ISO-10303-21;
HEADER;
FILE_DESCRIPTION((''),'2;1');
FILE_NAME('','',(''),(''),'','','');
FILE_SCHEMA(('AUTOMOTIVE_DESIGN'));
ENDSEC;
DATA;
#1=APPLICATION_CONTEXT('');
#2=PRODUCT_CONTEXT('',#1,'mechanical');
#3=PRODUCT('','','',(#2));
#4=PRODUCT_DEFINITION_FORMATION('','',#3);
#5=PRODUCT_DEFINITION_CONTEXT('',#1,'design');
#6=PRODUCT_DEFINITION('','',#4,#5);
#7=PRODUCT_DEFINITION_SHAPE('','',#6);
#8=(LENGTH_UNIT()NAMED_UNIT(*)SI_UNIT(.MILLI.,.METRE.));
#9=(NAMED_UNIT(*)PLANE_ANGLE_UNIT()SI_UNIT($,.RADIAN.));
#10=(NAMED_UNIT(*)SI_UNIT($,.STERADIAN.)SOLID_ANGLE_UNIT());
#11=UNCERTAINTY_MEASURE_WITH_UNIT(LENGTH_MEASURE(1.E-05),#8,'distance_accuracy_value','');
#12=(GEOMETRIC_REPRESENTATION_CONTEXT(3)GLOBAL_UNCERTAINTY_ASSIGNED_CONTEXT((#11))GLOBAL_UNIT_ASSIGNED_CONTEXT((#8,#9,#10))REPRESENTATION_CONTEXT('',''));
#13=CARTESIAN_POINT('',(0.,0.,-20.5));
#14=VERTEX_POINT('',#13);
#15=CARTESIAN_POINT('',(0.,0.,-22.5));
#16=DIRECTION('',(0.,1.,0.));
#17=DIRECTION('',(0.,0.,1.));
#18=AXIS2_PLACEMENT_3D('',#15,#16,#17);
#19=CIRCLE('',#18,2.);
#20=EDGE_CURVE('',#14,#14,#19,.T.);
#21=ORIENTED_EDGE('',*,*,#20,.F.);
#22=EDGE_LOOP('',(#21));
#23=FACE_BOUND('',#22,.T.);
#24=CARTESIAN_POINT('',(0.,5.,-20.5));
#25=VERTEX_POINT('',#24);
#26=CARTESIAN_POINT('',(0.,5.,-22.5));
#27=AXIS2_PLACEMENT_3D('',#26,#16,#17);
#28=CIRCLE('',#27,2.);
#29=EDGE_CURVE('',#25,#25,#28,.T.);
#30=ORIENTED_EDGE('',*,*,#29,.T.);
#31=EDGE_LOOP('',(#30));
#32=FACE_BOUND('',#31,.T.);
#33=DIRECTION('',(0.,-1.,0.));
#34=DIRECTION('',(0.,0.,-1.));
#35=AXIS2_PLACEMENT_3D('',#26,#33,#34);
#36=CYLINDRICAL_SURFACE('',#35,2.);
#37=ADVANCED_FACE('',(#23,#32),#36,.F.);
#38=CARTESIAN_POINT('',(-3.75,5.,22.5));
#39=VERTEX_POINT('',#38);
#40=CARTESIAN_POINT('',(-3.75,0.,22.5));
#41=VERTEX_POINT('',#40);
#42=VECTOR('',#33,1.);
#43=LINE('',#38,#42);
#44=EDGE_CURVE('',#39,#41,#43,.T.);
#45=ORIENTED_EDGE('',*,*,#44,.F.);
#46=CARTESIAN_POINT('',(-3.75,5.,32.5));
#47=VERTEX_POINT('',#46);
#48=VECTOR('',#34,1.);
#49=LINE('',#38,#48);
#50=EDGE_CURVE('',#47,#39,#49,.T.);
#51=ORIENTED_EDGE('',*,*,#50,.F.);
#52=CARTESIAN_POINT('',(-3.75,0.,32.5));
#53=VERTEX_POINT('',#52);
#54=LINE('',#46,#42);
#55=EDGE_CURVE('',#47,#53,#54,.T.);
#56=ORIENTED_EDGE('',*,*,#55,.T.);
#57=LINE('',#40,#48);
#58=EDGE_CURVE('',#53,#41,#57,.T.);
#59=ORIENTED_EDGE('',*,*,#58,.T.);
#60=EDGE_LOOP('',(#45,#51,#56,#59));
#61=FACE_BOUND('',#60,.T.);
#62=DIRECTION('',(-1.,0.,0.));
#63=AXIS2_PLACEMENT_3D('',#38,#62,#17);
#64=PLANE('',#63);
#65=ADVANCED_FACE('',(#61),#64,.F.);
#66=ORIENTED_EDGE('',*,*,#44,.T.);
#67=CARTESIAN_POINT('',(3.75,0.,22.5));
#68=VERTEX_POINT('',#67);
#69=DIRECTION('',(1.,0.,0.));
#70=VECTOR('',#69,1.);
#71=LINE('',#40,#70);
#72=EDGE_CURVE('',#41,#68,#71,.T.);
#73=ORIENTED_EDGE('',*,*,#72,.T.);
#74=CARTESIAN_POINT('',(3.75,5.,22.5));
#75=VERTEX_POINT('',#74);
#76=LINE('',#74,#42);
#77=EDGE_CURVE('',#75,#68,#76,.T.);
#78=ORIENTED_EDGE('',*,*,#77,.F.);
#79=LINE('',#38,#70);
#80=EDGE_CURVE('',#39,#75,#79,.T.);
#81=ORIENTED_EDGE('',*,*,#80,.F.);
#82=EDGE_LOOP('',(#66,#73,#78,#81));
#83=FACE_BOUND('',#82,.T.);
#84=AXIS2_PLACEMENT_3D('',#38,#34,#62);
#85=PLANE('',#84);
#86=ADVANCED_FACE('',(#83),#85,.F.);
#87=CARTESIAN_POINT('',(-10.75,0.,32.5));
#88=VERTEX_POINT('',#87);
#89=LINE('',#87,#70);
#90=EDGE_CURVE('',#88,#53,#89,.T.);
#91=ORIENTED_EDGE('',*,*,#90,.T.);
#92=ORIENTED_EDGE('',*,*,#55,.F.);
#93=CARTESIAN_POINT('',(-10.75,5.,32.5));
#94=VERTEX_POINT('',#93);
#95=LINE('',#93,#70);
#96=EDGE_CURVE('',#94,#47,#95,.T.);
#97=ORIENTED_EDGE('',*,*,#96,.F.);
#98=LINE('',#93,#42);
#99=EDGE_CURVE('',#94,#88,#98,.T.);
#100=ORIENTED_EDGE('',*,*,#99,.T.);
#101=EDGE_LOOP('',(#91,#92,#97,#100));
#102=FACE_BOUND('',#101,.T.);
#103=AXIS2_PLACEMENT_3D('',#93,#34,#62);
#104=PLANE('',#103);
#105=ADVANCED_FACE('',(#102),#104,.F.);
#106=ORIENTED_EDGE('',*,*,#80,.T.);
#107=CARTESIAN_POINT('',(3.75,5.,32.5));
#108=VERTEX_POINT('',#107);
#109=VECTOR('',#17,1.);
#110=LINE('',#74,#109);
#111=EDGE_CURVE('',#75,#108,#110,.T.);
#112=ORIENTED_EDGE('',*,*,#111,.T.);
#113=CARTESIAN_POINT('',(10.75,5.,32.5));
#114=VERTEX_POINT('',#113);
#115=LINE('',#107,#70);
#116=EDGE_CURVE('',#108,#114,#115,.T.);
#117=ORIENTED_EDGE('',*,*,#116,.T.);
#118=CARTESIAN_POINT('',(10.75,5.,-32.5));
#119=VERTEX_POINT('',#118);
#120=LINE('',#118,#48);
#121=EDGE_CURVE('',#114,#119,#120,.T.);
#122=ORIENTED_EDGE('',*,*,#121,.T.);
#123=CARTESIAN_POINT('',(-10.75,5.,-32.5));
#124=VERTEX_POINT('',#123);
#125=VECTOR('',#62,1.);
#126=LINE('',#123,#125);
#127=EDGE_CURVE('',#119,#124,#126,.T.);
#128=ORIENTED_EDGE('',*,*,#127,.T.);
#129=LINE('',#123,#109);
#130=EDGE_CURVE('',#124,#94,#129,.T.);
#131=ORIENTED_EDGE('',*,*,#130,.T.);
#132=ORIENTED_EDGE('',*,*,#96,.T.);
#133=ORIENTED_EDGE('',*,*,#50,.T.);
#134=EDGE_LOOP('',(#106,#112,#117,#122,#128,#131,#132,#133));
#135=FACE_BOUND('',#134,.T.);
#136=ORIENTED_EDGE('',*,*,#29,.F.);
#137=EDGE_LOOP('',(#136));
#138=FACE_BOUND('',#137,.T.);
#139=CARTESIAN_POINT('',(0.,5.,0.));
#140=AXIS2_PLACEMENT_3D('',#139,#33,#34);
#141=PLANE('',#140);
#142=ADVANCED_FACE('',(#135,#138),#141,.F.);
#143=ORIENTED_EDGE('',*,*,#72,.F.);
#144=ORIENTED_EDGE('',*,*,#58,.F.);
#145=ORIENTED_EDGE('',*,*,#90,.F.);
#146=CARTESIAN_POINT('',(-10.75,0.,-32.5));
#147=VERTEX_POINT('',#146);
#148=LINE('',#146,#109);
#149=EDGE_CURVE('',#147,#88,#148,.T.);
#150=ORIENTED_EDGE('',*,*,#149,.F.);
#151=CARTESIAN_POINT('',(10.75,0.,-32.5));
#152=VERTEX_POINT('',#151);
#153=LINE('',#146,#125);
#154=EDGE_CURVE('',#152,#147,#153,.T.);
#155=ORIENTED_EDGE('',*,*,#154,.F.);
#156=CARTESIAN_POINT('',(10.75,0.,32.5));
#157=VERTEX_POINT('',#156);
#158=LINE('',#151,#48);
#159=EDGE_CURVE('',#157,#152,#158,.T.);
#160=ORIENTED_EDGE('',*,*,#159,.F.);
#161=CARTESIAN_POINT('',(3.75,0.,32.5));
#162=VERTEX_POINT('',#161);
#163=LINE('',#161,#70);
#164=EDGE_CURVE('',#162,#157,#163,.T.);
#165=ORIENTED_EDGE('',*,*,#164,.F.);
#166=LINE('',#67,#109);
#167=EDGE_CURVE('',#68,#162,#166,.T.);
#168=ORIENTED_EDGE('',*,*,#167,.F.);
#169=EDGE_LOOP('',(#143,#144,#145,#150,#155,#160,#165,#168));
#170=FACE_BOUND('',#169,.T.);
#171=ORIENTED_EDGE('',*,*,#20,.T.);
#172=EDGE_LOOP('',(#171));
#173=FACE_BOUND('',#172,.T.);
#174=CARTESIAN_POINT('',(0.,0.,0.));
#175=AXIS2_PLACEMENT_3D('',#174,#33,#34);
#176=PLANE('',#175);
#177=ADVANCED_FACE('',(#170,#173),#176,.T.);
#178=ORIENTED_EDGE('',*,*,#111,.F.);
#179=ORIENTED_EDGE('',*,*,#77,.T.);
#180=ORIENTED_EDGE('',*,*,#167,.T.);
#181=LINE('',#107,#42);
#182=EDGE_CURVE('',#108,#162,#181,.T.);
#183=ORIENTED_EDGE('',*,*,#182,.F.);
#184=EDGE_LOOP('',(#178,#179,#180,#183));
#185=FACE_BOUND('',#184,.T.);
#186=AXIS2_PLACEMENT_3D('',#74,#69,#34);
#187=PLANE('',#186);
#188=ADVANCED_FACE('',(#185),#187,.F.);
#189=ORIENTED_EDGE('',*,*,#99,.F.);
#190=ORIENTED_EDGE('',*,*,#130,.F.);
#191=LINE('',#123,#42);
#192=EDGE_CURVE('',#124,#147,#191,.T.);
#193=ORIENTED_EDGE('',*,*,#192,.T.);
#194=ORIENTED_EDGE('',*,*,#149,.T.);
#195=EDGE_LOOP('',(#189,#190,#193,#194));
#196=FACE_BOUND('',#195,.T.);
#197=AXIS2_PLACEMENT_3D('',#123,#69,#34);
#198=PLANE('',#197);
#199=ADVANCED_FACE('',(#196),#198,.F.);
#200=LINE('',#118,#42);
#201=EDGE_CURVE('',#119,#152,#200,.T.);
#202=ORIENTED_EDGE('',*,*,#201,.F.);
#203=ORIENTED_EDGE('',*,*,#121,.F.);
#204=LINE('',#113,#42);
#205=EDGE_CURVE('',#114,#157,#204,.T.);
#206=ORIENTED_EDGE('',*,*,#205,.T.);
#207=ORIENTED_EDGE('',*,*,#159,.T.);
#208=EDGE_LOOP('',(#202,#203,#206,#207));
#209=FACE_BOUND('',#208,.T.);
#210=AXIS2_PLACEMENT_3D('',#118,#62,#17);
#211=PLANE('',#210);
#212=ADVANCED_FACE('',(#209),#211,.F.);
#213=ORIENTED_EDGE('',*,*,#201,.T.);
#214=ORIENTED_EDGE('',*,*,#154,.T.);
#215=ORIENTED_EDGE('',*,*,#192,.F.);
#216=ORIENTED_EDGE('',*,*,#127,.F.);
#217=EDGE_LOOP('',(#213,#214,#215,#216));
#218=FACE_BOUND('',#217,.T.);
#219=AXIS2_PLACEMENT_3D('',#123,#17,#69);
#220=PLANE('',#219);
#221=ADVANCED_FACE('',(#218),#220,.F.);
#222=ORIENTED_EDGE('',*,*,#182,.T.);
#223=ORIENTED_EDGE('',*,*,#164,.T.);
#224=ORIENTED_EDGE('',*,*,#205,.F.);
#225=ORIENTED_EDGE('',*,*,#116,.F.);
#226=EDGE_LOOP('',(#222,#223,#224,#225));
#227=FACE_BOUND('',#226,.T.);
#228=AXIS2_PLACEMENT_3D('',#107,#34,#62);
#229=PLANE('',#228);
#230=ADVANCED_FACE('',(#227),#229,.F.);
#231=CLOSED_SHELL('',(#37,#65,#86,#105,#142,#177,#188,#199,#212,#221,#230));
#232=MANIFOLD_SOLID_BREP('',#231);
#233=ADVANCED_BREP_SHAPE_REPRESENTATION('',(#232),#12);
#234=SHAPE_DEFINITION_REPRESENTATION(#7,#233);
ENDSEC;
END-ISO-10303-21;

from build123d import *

# Parameters (mm, degrees)
SKETCH1_R           = 2
BOSS_EXTRUDE1_DEPTH = 5


with BuildPart() as part:
    # Sketch1 → Boss-Extrude1 (new body)
    with BuildSketch(Plane(origin=(0, 0, 0), x_dir=(1, 0, 0), z_dir=(0, 1, 0))):
        Polygon((-10.75, 32.5), (10.75, 32.5), (10.75, -32.5), (3.75, -32.5), (3.75, -22.5), (-3.75, -22.5), (-3.75, -32.5), (-10.75, -32.5), align=None)
        with Locations((0, 22.5)):
            Circle(SKETCH1_R, mode=Mode.SUBTRACT)
    extrude(amount=BOSS_EXTRUDE1_DEPTH)


solid = part.part
